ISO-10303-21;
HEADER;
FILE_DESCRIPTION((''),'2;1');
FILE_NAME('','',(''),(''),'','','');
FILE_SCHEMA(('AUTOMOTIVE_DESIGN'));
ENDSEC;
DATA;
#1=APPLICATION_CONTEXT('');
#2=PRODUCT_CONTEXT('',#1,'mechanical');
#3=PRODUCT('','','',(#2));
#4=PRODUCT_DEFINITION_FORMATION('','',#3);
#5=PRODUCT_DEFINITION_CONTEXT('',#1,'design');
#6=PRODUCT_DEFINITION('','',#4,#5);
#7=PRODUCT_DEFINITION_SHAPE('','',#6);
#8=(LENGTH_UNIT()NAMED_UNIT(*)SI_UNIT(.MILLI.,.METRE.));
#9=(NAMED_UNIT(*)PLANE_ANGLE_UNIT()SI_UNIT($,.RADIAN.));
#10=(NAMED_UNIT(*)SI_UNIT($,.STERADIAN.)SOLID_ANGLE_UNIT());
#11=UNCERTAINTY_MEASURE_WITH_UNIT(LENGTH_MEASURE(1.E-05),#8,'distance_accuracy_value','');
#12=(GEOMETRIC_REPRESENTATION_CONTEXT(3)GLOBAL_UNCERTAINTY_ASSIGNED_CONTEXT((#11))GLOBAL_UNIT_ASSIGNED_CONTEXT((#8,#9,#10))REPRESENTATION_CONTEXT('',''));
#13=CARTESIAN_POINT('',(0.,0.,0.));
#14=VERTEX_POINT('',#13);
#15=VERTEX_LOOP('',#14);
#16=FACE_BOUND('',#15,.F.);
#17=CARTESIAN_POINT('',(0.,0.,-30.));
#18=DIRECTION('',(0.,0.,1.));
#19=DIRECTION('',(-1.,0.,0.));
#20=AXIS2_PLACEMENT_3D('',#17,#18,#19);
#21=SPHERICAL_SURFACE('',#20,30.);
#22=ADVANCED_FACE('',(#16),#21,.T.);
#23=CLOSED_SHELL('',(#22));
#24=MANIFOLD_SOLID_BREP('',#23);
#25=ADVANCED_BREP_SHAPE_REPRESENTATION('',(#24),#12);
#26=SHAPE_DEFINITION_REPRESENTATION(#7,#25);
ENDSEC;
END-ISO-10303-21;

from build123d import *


with BuildPart() as part:
    # Sketch2 → Revolve2 (revolve)
    with BuildSketch(Plane(origin=(0, 0, 0), x_dir=(1, 0, 0), z_dir=(0, 1, 0))):
        with BuildLine():
            Line((0, 0), (0, 60))
            ThreePointArc((0, 60), (-30, 30), (0, 0))
        make_face()
    revolve(axis=Axis((0, 0, 0), (0, 0, -1)))


solid = part.part
